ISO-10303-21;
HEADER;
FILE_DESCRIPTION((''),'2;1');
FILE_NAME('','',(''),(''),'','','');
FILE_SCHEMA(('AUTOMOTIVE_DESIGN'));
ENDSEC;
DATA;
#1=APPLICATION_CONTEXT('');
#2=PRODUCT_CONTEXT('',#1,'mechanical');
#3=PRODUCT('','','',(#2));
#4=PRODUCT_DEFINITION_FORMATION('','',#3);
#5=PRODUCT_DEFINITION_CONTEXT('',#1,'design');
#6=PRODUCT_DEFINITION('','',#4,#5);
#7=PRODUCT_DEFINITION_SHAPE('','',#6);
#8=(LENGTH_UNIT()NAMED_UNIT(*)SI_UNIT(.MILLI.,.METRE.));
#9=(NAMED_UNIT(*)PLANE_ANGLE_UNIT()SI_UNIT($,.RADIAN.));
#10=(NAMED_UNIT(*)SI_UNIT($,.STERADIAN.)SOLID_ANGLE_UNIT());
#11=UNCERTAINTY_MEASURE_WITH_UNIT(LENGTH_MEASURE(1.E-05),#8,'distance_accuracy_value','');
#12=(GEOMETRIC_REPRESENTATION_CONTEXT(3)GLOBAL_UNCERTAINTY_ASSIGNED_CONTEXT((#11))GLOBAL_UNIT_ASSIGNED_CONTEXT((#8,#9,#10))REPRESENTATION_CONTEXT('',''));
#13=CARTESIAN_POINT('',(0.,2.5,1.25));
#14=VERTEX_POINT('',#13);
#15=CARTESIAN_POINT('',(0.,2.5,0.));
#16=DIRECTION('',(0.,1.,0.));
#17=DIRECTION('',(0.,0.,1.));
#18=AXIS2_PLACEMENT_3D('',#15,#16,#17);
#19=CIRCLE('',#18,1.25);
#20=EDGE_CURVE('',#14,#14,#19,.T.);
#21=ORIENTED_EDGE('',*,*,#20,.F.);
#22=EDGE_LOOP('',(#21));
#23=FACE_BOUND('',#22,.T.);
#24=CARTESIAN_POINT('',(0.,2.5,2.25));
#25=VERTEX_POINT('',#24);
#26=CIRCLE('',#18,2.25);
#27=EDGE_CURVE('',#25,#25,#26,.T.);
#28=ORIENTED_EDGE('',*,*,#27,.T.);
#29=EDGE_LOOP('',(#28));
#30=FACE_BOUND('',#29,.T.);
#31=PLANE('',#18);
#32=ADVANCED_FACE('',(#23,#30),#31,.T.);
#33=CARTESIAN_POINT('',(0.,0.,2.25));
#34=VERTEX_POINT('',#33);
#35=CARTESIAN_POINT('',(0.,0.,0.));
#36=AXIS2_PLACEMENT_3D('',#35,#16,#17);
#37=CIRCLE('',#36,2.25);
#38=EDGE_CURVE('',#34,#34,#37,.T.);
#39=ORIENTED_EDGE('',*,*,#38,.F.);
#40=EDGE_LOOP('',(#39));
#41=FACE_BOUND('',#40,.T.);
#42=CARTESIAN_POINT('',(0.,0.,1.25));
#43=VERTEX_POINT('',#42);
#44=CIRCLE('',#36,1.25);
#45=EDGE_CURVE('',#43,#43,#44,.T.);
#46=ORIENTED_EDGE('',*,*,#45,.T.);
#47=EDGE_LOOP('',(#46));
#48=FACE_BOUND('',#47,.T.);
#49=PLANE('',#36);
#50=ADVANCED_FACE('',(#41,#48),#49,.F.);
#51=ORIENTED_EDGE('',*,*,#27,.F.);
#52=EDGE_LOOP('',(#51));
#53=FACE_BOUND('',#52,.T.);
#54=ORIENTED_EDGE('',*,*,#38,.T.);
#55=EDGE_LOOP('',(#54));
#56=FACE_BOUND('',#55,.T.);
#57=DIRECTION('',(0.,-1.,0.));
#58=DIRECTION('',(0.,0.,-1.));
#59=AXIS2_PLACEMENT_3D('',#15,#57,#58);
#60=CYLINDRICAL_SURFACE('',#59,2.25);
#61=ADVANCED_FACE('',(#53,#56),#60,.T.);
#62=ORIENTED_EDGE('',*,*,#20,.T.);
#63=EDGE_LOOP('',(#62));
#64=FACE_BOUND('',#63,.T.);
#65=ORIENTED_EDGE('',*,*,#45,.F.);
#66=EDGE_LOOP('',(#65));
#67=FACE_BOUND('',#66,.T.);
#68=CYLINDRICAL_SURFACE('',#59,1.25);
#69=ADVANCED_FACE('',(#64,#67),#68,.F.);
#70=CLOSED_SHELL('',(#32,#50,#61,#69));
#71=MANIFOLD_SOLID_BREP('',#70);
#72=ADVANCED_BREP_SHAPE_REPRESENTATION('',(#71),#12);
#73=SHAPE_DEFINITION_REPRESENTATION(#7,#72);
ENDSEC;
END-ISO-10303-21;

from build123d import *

# Parameters (mm, degrees)
SKETCH1_R           = 2.25
SKETCH1_R_2         = 1.25
BOSS_EXTRUDE1_DEPTH = 2.5


with BuildPart() as part:
    # Sketch1 → Boss-Extrude1 (new body)
    with BuildSketch(Plane(origin=(0, 0, 0), x_dir=(1, 0, 0), z_dir=(0, 1, 0))):
        Circle(SKETCH1_R)
        Circle(SKETCH1_R_2, mode=Mode.SUBTRACT)
    extrude(amount=BOSS_EXTRUDE1_DEPTH)


solid = part.part
